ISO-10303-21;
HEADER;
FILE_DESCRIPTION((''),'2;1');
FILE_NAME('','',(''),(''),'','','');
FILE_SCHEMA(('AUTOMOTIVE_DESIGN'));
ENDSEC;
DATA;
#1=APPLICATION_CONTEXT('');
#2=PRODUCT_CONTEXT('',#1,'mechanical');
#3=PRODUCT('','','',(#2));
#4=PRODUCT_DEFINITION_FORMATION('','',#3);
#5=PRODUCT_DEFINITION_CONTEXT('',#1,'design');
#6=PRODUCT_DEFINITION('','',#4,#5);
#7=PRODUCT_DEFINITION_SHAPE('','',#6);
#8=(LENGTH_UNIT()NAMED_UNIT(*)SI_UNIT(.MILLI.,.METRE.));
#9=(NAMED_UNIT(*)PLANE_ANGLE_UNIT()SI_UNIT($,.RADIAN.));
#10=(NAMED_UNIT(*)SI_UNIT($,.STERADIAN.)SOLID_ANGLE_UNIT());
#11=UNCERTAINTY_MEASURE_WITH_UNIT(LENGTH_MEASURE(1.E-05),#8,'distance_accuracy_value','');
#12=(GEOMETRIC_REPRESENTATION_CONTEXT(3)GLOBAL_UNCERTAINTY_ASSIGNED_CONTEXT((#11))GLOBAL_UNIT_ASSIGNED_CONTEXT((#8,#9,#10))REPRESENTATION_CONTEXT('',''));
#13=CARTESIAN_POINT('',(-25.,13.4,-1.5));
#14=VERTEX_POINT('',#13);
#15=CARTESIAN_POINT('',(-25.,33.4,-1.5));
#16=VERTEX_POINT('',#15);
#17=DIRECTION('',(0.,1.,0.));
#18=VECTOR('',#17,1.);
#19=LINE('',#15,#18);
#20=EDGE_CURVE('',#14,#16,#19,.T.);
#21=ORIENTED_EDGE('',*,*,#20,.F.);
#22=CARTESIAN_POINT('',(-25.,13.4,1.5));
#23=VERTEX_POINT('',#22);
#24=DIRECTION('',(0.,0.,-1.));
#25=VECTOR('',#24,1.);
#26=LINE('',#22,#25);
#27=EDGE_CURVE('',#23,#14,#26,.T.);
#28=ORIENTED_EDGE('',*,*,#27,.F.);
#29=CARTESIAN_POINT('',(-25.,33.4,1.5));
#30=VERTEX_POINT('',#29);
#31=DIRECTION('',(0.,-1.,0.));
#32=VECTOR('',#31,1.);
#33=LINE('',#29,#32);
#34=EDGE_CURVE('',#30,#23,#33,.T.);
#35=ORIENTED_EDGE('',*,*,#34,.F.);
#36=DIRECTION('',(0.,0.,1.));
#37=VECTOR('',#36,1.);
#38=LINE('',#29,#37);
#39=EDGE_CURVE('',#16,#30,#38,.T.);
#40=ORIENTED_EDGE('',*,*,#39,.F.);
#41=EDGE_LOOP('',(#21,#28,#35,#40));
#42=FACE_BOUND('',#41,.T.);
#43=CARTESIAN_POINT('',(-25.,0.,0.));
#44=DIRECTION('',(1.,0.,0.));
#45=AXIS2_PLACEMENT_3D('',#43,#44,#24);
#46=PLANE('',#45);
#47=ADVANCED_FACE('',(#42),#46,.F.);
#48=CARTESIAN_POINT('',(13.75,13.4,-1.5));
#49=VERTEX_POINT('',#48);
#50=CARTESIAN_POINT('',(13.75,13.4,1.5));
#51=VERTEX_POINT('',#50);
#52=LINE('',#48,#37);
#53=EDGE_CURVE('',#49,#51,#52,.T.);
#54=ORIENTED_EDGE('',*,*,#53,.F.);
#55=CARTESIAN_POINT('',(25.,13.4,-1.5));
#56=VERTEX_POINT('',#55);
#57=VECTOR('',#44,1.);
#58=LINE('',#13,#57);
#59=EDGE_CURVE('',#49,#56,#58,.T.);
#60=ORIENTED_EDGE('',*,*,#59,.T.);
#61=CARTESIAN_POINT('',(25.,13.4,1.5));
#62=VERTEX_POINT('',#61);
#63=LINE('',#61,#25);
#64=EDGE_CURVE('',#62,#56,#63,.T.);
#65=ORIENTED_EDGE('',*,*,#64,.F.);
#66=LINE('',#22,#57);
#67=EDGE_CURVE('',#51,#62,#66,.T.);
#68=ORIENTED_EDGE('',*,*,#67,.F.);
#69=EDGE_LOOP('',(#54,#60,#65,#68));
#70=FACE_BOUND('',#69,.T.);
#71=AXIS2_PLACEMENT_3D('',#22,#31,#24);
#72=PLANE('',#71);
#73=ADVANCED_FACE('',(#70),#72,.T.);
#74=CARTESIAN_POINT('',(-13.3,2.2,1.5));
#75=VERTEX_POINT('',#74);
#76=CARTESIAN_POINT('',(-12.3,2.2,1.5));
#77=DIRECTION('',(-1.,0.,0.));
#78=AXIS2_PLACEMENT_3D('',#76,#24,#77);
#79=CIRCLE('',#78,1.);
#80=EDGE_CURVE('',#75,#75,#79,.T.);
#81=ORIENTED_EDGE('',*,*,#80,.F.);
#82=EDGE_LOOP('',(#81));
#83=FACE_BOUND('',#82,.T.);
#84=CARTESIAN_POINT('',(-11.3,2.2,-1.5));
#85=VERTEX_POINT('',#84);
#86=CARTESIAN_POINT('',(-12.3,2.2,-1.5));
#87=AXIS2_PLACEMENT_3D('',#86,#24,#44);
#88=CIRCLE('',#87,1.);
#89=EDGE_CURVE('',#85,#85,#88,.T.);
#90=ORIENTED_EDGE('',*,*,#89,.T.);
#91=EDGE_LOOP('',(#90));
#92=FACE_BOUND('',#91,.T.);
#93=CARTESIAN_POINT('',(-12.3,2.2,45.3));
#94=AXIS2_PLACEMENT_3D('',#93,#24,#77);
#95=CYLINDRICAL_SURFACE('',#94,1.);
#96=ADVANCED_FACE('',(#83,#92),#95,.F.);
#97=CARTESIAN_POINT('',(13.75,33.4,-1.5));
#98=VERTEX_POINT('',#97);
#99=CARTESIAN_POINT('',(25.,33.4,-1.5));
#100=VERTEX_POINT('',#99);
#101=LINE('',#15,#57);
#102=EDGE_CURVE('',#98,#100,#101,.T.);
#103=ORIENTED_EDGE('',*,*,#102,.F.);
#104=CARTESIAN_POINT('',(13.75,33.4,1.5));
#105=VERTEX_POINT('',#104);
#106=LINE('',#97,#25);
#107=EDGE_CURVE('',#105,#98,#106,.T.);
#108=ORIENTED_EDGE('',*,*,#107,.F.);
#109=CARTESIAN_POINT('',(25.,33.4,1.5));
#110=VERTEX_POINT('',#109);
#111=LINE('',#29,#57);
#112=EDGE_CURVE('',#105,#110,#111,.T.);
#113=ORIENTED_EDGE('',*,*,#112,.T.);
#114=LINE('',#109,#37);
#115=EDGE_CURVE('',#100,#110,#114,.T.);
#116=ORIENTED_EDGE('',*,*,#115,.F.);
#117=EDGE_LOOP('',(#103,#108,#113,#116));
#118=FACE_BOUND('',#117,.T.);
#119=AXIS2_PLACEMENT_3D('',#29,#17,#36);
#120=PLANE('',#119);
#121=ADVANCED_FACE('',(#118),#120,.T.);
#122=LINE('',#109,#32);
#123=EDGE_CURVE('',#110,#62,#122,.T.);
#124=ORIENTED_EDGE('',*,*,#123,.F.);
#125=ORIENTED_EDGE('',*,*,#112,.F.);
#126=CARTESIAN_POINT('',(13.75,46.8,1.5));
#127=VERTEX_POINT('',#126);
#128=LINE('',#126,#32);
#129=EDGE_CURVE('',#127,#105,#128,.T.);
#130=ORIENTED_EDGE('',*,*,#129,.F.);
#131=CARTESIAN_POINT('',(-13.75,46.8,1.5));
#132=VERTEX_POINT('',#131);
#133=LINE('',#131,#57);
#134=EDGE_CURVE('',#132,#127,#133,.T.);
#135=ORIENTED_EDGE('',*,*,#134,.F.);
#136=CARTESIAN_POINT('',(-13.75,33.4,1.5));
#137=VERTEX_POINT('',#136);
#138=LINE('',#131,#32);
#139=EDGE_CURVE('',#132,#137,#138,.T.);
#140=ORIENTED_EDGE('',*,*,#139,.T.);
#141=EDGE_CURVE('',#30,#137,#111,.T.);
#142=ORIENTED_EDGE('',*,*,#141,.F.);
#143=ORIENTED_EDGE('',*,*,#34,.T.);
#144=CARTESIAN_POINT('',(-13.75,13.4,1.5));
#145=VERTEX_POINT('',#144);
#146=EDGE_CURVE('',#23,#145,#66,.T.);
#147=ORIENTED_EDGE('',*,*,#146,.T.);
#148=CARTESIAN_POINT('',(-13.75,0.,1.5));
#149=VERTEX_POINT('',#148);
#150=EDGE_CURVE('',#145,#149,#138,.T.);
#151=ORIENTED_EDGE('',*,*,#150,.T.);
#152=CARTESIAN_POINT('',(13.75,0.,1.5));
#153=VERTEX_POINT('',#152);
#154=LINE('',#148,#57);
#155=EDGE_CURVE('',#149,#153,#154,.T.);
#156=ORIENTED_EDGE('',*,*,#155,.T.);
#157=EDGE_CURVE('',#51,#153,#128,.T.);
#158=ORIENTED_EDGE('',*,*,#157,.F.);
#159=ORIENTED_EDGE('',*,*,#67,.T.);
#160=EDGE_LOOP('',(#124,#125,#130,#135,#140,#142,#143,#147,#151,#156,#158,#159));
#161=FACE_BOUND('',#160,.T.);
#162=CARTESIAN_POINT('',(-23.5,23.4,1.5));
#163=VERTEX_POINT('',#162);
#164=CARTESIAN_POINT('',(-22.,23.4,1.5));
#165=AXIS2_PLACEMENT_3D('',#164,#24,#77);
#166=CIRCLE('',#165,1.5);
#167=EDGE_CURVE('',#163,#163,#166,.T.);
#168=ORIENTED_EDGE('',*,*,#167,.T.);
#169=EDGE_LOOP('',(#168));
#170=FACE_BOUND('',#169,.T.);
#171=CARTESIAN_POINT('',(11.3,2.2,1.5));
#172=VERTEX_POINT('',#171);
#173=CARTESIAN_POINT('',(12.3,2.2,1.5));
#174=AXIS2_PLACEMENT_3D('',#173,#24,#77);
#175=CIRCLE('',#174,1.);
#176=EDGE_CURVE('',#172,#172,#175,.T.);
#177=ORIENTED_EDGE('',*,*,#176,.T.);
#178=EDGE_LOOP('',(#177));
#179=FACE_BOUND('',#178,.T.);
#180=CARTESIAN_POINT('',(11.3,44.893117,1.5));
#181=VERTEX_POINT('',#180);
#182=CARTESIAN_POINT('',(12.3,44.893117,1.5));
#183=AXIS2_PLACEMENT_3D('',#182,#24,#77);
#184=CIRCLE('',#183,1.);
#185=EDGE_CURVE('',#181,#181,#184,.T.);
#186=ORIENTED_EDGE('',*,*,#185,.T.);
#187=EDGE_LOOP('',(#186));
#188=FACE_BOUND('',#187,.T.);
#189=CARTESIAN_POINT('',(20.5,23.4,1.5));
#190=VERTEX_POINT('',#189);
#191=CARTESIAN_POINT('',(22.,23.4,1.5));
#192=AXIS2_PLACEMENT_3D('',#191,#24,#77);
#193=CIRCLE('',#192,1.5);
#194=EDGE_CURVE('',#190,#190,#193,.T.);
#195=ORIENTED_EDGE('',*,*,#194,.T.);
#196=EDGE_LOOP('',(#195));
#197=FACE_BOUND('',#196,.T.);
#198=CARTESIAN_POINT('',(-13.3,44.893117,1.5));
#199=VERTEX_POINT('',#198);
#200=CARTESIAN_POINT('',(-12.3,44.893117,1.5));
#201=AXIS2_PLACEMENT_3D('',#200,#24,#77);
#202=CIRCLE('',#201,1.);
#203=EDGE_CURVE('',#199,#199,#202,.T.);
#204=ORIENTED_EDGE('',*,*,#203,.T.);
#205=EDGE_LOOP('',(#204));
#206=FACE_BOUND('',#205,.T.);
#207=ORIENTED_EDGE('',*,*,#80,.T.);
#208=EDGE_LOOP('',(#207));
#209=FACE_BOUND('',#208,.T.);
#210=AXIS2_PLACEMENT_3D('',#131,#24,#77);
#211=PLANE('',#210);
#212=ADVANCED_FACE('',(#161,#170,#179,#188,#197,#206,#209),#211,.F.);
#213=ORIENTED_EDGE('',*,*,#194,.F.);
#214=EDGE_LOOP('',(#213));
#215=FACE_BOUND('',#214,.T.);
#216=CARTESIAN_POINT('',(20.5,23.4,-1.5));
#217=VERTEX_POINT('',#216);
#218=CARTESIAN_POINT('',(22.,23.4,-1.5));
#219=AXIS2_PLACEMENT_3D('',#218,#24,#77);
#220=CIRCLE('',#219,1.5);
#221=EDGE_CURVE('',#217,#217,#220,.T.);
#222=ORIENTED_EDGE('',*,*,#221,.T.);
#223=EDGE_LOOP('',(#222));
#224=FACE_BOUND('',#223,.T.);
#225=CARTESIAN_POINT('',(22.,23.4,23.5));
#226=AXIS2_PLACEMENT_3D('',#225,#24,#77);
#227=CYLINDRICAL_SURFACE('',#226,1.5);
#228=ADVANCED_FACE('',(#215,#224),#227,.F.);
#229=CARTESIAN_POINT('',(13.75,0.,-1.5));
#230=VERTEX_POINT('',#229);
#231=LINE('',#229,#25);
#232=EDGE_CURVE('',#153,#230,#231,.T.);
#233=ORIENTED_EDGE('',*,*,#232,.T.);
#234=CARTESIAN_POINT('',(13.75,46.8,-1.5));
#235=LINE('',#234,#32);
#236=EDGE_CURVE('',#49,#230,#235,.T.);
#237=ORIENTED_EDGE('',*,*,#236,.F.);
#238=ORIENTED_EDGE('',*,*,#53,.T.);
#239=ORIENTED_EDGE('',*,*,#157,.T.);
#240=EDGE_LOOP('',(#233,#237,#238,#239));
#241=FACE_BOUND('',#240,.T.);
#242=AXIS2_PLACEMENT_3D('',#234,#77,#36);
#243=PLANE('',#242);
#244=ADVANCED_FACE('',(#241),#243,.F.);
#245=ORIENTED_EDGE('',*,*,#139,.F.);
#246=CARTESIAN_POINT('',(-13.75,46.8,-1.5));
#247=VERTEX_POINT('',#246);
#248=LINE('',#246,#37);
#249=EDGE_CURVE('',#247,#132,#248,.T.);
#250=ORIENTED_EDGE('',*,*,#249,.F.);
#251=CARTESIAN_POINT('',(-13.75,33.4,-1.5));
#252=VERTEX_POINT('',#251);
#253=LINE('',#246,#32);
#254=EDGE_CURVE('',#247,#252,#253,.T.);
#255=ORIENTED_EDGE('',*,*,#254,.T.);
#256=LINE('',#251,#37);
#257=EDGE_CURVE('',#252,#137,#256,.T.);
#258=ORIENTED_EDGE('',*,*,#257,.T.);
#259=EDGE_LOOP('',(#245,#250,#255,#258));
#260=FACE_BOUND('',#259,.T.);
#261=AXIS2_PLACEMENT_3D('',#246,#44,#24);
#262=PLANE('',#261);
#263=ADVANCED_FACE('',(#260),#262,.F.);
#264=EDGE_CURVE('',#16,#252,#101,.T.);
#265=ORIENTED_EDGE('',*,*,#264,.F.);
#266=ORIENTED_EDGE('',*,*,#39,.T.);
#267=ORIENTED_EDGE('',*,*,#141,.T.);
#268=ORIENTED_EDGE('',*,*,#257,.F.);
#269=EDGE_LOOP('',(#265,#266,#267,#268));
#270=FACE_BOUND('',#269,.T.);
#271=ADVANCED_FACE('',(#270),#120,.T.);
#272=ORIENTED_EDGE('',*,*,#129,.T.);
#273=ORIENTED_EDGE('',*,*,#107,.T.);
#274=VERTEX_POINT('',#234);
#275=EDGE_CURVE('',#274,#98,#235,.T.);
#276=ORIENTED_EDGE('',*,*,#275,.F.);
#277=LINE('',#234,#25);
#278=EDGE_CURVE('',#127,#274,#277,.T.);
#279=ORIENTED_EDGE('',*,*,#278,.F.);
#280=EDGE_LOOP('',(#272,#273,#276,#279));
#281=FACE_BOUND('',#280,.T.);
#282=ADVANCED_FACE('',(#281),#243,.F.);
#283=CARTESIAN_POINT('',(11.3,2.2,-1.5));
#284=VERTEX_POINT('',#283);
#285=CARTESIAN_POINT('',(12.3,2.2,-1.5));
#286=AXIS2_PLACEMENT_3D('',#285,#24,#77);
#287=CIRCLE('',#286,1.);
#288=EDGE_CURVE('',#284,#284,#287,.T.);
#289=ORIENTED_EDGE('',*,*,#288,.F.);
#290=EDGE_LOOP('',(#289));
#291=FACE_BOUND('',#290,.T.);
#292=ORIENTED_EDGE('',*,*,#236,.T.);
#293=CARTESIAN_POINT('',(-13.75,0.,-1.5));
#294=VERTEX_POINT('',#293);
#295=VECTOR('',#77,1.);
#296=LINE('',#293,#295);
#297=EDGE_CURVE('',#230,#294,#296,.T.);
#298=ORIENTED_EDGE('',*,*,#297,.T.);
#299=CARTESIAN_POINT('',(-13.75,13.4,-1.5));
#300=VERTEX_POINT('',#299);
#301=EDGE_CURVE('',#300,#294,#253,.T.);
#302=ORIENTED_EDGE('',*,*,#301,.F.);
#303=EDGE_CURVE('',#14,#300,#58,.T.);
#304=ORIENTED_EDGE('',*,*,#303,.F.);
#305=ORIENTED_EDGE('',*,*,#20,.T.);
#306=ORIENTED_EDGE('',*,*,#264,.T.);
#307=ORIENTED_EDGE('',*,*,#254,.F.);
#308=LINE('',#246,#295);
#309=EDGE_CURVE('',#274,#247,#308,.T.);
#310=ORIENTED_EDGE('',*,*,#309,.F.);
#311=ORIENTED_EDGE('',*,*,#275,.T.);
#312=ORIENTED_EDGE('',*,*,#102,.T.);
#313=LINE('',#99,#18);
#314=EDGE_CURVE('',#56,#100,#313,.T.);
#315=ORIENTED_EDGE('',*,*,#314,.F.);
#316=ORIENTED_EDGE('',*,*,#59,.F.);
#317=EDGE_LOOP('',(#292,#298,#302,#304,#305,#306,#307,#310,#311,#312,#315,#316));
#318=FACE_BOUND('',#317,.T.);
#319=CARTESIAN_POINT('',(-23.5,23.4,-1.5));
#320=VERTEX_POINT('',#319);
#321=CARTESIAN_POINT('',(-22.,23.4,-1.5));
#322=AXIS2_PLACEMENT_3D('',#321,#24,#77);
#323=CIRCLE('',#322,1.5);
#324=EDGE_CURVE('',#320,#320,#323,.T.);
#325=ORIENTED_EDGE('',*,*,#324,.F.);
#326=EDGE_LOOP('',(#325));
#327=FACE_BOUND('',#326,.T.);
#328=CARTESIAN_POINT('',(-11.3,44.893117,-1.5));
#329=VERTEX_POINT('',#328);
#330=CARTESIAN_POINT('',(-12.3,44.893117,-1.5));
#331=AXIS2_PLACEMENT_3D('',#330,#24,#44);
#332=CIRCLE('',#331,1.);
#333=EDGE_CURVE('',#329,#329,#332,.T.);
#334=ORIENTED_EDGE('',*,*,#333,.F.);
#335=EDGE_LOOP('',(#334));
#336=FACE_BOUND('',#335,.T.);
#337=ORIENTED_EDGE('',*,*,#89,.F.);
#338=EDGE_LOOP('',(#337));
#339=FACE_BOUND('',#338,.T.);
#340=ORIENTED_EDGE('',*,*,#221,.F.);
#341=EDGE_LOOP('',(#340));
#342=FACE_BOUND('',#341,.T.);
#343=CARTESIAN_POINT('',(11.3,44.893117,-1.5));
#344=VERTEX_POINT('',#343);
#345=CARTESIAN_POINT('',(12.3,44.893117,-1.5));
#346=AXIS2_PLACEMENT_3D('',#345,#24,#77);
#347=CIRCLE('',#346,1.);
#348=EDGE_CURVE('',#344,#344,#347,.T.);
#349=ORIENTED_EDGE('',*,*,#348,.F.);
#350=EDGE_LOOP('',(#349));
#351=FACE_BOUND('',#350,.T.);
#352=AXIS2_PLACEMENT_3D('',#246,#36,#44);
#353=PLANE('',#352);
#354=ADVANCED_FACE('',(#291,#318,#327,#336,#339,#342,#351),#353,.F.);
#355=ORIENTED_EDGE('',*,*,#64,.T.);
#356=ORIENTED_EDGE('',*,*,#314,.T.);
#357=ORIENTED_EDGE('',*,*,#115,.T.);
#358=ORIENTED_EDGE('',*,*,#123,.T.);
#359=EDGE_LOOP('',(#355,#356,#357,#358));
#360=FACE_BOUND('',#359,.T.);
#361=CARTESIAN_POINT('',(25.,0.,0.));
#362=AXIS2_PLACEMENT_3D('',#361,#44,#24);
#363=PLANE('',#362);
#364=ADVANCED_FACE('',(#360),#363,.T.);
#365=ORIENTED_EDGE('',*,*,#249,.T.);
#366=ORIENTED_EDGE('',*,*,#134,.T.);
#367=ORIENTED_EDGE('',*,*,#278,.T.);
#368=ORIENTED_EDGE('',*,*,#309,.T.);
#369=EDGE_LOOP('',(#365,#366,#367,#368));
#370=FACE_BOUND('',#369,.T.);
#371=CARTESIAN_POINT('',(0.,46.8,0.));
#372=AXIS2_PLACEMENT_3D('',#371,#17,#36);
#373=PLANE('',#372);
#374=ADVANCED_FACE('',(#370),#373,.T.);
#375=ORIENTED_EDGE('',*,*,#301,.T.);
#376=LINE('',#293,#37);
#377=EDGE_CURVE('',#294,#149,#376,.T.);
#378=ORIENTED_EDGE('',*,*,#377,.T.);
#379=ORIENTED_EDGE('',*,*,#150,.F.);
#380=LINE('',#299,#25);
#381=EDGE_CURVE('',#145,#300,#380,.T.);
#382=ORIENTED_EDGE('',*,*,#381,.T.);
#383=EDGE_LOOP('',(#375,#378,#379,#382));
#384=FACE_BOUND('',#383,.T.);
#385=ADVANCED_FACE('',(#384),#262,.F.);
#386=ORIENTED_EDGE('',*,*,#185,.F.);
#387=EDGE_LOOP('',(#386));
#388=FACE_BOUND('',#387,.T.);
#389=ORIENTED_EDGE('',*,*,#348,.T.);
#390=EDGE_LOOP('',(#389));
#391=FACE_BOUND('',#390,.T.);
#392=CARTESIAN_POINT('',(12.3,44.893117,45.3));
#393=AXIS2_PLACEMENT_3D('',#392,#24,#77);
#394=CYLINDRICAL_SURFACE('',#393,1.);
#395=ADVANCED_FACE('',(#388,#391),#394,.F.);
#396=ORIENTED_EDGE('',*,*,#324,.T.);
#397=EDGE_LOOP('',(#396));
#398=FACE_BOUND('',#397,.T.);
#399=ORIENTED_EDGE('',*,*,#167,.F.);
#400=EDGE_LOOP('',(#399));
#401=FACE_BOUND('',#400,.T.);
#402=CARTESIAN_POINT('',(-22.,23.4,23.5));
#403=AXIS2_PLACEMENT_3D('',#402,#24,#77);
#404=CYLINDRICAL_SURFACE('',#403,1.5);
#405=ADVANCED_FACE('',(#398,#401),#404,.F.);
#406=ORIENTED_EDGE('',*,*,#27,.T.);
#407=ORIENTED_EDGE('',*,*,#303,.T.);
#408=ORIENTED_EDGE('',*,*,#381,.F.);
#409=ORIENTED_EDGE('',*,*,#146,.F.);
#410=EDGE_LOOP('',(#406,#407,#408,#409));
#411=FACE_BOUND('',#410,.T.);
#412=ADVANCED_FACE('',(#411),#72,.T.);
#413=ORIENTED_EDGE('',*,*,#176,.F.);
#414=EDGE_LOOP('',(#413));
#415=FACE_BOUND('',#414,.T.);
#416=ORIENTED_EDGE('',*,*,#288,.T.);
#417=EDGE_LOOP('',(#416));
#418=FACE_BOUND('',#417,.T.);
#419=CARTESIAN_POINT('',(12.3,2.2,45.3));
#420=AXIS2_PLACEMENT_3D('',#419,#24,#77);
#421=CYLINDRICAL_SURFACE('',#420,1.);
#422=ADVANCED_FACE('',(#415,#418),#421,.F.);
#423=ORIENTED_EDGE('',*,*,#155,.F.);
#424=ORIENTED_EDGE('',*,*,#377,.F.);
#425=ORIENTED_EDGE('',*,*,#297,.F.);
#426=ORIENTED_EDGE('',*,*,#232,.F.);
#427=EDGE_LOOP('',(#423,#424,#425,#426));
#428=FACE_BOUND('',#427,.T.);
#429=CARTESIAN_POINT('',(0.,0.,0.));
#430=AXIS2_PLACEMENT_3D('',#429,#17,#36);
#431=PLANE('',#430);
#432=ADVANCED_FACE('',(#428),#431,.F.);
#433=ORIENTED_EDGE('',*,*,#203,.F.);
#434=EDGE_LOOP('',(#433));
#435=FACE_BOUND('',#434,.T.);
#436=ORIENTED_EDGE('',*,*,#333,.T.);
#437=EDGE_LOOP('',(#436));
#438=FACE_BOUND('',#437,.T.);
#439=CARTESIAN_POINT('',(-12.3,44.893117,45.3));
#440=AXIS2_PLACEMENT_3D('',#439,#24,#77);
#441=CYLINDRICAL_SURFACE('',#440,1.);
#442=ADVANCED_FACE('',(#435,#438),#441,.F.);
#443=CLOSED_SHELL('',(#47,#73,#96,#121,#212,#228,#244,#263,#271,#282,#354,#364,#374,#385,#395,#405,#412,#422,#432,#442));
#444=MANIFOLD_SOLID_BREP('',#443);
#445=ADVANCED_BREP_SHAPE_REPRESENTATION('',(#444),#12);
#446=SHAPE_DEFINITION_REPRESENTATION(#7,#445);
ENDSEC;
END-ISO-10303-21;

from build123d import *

# Parameters (mm, degrees)
SKETCH_2_W           = 27.5
SKETCH_2_H           = 3
EXTRUDE_1_DEPTH      = 46.8
SKETCH_3_R           = 1
CUT_EXTRUDE_1_DEPTH  = 46.8
EXTRUDE_2_DEPTH      = 25
EXTRUDE_2_DEPTH_BACK = 25
SKETCH_4_W           = 3
SKETCH_4_H           = 20
SKETCH_5_R           = 1.5
CUT_EXTRUDE_2_DEPTH  = 25


with BuildPart() as part:
    # 草图2 → 凸台-拉伸1 (new body)
    with BuildSketch(Plane(origin=(0, 0, 0), x_dir=(1, 0, 0), z_dir=(0, 1, 0))):
        Rectangle(SKETCH_2_W, SKETCH_2_H)
    extrude(amount=EXTRUDE_1_DEPTH)

    # 草图3 → 切除-拉伸1 (cut)
    with BuildSketch(Plane(origin=(0, 0, -1.5), x_dir=(-1, 0, 0), z_dir=(0, 0, -1))):
        with Locations((-12.3, 44.893116562)):
            Circle(SKETCH_3_R)
        with Locations((-12.3, 2.2)):
            Circle(SKETCH_3_R)
        with Locations((12.3, 2.2)):
            Circle(SKETCH_3_R)
        with Locations((12.3, 44.893116562)):
            Circle(SKETCH_3_R)
    extrude(amount=-CUT_EXTRUDE_1_DEPTH, mode=Mode.SUBTRACT)

    # 草图4 → 凸台-拉伸2 (add, two sides: drawn at the far end of the back side and taken through both)
    with BuildSketch(Plane(origin=(0, 0, 0), x_dir=(0, 0, -1), z_dir=(1, 0, 0)).offset(-EXTRUDE_2_DEPTH_BACK)):
        with Locations((0, 23.4)):
            Rectangle(SKETCH_4_W, SKETCH_4_H)
    extrude(amount=EXTRUDE_2_DEPTH + EXTRUDE_2_DEPTH_BACK)

    # 草图5 → 切除-拉伸2 (cut)
    with BuildSketch(Plane(origin=(0, 0, -1.5), x_dir=(-1, 0, 0), z_dir=(0, 0, -1))):
        with Locations((-22, 23.4)):
            Circle(SKETCH_5_R)
        with Locations((22, 23.4)):
            Circle(SKETCH_5_R)
    extrude(amount=-CUT_EXTRUDE_2_DEPTH, mode=Mode.SUBTRACT)


solid = part.part
